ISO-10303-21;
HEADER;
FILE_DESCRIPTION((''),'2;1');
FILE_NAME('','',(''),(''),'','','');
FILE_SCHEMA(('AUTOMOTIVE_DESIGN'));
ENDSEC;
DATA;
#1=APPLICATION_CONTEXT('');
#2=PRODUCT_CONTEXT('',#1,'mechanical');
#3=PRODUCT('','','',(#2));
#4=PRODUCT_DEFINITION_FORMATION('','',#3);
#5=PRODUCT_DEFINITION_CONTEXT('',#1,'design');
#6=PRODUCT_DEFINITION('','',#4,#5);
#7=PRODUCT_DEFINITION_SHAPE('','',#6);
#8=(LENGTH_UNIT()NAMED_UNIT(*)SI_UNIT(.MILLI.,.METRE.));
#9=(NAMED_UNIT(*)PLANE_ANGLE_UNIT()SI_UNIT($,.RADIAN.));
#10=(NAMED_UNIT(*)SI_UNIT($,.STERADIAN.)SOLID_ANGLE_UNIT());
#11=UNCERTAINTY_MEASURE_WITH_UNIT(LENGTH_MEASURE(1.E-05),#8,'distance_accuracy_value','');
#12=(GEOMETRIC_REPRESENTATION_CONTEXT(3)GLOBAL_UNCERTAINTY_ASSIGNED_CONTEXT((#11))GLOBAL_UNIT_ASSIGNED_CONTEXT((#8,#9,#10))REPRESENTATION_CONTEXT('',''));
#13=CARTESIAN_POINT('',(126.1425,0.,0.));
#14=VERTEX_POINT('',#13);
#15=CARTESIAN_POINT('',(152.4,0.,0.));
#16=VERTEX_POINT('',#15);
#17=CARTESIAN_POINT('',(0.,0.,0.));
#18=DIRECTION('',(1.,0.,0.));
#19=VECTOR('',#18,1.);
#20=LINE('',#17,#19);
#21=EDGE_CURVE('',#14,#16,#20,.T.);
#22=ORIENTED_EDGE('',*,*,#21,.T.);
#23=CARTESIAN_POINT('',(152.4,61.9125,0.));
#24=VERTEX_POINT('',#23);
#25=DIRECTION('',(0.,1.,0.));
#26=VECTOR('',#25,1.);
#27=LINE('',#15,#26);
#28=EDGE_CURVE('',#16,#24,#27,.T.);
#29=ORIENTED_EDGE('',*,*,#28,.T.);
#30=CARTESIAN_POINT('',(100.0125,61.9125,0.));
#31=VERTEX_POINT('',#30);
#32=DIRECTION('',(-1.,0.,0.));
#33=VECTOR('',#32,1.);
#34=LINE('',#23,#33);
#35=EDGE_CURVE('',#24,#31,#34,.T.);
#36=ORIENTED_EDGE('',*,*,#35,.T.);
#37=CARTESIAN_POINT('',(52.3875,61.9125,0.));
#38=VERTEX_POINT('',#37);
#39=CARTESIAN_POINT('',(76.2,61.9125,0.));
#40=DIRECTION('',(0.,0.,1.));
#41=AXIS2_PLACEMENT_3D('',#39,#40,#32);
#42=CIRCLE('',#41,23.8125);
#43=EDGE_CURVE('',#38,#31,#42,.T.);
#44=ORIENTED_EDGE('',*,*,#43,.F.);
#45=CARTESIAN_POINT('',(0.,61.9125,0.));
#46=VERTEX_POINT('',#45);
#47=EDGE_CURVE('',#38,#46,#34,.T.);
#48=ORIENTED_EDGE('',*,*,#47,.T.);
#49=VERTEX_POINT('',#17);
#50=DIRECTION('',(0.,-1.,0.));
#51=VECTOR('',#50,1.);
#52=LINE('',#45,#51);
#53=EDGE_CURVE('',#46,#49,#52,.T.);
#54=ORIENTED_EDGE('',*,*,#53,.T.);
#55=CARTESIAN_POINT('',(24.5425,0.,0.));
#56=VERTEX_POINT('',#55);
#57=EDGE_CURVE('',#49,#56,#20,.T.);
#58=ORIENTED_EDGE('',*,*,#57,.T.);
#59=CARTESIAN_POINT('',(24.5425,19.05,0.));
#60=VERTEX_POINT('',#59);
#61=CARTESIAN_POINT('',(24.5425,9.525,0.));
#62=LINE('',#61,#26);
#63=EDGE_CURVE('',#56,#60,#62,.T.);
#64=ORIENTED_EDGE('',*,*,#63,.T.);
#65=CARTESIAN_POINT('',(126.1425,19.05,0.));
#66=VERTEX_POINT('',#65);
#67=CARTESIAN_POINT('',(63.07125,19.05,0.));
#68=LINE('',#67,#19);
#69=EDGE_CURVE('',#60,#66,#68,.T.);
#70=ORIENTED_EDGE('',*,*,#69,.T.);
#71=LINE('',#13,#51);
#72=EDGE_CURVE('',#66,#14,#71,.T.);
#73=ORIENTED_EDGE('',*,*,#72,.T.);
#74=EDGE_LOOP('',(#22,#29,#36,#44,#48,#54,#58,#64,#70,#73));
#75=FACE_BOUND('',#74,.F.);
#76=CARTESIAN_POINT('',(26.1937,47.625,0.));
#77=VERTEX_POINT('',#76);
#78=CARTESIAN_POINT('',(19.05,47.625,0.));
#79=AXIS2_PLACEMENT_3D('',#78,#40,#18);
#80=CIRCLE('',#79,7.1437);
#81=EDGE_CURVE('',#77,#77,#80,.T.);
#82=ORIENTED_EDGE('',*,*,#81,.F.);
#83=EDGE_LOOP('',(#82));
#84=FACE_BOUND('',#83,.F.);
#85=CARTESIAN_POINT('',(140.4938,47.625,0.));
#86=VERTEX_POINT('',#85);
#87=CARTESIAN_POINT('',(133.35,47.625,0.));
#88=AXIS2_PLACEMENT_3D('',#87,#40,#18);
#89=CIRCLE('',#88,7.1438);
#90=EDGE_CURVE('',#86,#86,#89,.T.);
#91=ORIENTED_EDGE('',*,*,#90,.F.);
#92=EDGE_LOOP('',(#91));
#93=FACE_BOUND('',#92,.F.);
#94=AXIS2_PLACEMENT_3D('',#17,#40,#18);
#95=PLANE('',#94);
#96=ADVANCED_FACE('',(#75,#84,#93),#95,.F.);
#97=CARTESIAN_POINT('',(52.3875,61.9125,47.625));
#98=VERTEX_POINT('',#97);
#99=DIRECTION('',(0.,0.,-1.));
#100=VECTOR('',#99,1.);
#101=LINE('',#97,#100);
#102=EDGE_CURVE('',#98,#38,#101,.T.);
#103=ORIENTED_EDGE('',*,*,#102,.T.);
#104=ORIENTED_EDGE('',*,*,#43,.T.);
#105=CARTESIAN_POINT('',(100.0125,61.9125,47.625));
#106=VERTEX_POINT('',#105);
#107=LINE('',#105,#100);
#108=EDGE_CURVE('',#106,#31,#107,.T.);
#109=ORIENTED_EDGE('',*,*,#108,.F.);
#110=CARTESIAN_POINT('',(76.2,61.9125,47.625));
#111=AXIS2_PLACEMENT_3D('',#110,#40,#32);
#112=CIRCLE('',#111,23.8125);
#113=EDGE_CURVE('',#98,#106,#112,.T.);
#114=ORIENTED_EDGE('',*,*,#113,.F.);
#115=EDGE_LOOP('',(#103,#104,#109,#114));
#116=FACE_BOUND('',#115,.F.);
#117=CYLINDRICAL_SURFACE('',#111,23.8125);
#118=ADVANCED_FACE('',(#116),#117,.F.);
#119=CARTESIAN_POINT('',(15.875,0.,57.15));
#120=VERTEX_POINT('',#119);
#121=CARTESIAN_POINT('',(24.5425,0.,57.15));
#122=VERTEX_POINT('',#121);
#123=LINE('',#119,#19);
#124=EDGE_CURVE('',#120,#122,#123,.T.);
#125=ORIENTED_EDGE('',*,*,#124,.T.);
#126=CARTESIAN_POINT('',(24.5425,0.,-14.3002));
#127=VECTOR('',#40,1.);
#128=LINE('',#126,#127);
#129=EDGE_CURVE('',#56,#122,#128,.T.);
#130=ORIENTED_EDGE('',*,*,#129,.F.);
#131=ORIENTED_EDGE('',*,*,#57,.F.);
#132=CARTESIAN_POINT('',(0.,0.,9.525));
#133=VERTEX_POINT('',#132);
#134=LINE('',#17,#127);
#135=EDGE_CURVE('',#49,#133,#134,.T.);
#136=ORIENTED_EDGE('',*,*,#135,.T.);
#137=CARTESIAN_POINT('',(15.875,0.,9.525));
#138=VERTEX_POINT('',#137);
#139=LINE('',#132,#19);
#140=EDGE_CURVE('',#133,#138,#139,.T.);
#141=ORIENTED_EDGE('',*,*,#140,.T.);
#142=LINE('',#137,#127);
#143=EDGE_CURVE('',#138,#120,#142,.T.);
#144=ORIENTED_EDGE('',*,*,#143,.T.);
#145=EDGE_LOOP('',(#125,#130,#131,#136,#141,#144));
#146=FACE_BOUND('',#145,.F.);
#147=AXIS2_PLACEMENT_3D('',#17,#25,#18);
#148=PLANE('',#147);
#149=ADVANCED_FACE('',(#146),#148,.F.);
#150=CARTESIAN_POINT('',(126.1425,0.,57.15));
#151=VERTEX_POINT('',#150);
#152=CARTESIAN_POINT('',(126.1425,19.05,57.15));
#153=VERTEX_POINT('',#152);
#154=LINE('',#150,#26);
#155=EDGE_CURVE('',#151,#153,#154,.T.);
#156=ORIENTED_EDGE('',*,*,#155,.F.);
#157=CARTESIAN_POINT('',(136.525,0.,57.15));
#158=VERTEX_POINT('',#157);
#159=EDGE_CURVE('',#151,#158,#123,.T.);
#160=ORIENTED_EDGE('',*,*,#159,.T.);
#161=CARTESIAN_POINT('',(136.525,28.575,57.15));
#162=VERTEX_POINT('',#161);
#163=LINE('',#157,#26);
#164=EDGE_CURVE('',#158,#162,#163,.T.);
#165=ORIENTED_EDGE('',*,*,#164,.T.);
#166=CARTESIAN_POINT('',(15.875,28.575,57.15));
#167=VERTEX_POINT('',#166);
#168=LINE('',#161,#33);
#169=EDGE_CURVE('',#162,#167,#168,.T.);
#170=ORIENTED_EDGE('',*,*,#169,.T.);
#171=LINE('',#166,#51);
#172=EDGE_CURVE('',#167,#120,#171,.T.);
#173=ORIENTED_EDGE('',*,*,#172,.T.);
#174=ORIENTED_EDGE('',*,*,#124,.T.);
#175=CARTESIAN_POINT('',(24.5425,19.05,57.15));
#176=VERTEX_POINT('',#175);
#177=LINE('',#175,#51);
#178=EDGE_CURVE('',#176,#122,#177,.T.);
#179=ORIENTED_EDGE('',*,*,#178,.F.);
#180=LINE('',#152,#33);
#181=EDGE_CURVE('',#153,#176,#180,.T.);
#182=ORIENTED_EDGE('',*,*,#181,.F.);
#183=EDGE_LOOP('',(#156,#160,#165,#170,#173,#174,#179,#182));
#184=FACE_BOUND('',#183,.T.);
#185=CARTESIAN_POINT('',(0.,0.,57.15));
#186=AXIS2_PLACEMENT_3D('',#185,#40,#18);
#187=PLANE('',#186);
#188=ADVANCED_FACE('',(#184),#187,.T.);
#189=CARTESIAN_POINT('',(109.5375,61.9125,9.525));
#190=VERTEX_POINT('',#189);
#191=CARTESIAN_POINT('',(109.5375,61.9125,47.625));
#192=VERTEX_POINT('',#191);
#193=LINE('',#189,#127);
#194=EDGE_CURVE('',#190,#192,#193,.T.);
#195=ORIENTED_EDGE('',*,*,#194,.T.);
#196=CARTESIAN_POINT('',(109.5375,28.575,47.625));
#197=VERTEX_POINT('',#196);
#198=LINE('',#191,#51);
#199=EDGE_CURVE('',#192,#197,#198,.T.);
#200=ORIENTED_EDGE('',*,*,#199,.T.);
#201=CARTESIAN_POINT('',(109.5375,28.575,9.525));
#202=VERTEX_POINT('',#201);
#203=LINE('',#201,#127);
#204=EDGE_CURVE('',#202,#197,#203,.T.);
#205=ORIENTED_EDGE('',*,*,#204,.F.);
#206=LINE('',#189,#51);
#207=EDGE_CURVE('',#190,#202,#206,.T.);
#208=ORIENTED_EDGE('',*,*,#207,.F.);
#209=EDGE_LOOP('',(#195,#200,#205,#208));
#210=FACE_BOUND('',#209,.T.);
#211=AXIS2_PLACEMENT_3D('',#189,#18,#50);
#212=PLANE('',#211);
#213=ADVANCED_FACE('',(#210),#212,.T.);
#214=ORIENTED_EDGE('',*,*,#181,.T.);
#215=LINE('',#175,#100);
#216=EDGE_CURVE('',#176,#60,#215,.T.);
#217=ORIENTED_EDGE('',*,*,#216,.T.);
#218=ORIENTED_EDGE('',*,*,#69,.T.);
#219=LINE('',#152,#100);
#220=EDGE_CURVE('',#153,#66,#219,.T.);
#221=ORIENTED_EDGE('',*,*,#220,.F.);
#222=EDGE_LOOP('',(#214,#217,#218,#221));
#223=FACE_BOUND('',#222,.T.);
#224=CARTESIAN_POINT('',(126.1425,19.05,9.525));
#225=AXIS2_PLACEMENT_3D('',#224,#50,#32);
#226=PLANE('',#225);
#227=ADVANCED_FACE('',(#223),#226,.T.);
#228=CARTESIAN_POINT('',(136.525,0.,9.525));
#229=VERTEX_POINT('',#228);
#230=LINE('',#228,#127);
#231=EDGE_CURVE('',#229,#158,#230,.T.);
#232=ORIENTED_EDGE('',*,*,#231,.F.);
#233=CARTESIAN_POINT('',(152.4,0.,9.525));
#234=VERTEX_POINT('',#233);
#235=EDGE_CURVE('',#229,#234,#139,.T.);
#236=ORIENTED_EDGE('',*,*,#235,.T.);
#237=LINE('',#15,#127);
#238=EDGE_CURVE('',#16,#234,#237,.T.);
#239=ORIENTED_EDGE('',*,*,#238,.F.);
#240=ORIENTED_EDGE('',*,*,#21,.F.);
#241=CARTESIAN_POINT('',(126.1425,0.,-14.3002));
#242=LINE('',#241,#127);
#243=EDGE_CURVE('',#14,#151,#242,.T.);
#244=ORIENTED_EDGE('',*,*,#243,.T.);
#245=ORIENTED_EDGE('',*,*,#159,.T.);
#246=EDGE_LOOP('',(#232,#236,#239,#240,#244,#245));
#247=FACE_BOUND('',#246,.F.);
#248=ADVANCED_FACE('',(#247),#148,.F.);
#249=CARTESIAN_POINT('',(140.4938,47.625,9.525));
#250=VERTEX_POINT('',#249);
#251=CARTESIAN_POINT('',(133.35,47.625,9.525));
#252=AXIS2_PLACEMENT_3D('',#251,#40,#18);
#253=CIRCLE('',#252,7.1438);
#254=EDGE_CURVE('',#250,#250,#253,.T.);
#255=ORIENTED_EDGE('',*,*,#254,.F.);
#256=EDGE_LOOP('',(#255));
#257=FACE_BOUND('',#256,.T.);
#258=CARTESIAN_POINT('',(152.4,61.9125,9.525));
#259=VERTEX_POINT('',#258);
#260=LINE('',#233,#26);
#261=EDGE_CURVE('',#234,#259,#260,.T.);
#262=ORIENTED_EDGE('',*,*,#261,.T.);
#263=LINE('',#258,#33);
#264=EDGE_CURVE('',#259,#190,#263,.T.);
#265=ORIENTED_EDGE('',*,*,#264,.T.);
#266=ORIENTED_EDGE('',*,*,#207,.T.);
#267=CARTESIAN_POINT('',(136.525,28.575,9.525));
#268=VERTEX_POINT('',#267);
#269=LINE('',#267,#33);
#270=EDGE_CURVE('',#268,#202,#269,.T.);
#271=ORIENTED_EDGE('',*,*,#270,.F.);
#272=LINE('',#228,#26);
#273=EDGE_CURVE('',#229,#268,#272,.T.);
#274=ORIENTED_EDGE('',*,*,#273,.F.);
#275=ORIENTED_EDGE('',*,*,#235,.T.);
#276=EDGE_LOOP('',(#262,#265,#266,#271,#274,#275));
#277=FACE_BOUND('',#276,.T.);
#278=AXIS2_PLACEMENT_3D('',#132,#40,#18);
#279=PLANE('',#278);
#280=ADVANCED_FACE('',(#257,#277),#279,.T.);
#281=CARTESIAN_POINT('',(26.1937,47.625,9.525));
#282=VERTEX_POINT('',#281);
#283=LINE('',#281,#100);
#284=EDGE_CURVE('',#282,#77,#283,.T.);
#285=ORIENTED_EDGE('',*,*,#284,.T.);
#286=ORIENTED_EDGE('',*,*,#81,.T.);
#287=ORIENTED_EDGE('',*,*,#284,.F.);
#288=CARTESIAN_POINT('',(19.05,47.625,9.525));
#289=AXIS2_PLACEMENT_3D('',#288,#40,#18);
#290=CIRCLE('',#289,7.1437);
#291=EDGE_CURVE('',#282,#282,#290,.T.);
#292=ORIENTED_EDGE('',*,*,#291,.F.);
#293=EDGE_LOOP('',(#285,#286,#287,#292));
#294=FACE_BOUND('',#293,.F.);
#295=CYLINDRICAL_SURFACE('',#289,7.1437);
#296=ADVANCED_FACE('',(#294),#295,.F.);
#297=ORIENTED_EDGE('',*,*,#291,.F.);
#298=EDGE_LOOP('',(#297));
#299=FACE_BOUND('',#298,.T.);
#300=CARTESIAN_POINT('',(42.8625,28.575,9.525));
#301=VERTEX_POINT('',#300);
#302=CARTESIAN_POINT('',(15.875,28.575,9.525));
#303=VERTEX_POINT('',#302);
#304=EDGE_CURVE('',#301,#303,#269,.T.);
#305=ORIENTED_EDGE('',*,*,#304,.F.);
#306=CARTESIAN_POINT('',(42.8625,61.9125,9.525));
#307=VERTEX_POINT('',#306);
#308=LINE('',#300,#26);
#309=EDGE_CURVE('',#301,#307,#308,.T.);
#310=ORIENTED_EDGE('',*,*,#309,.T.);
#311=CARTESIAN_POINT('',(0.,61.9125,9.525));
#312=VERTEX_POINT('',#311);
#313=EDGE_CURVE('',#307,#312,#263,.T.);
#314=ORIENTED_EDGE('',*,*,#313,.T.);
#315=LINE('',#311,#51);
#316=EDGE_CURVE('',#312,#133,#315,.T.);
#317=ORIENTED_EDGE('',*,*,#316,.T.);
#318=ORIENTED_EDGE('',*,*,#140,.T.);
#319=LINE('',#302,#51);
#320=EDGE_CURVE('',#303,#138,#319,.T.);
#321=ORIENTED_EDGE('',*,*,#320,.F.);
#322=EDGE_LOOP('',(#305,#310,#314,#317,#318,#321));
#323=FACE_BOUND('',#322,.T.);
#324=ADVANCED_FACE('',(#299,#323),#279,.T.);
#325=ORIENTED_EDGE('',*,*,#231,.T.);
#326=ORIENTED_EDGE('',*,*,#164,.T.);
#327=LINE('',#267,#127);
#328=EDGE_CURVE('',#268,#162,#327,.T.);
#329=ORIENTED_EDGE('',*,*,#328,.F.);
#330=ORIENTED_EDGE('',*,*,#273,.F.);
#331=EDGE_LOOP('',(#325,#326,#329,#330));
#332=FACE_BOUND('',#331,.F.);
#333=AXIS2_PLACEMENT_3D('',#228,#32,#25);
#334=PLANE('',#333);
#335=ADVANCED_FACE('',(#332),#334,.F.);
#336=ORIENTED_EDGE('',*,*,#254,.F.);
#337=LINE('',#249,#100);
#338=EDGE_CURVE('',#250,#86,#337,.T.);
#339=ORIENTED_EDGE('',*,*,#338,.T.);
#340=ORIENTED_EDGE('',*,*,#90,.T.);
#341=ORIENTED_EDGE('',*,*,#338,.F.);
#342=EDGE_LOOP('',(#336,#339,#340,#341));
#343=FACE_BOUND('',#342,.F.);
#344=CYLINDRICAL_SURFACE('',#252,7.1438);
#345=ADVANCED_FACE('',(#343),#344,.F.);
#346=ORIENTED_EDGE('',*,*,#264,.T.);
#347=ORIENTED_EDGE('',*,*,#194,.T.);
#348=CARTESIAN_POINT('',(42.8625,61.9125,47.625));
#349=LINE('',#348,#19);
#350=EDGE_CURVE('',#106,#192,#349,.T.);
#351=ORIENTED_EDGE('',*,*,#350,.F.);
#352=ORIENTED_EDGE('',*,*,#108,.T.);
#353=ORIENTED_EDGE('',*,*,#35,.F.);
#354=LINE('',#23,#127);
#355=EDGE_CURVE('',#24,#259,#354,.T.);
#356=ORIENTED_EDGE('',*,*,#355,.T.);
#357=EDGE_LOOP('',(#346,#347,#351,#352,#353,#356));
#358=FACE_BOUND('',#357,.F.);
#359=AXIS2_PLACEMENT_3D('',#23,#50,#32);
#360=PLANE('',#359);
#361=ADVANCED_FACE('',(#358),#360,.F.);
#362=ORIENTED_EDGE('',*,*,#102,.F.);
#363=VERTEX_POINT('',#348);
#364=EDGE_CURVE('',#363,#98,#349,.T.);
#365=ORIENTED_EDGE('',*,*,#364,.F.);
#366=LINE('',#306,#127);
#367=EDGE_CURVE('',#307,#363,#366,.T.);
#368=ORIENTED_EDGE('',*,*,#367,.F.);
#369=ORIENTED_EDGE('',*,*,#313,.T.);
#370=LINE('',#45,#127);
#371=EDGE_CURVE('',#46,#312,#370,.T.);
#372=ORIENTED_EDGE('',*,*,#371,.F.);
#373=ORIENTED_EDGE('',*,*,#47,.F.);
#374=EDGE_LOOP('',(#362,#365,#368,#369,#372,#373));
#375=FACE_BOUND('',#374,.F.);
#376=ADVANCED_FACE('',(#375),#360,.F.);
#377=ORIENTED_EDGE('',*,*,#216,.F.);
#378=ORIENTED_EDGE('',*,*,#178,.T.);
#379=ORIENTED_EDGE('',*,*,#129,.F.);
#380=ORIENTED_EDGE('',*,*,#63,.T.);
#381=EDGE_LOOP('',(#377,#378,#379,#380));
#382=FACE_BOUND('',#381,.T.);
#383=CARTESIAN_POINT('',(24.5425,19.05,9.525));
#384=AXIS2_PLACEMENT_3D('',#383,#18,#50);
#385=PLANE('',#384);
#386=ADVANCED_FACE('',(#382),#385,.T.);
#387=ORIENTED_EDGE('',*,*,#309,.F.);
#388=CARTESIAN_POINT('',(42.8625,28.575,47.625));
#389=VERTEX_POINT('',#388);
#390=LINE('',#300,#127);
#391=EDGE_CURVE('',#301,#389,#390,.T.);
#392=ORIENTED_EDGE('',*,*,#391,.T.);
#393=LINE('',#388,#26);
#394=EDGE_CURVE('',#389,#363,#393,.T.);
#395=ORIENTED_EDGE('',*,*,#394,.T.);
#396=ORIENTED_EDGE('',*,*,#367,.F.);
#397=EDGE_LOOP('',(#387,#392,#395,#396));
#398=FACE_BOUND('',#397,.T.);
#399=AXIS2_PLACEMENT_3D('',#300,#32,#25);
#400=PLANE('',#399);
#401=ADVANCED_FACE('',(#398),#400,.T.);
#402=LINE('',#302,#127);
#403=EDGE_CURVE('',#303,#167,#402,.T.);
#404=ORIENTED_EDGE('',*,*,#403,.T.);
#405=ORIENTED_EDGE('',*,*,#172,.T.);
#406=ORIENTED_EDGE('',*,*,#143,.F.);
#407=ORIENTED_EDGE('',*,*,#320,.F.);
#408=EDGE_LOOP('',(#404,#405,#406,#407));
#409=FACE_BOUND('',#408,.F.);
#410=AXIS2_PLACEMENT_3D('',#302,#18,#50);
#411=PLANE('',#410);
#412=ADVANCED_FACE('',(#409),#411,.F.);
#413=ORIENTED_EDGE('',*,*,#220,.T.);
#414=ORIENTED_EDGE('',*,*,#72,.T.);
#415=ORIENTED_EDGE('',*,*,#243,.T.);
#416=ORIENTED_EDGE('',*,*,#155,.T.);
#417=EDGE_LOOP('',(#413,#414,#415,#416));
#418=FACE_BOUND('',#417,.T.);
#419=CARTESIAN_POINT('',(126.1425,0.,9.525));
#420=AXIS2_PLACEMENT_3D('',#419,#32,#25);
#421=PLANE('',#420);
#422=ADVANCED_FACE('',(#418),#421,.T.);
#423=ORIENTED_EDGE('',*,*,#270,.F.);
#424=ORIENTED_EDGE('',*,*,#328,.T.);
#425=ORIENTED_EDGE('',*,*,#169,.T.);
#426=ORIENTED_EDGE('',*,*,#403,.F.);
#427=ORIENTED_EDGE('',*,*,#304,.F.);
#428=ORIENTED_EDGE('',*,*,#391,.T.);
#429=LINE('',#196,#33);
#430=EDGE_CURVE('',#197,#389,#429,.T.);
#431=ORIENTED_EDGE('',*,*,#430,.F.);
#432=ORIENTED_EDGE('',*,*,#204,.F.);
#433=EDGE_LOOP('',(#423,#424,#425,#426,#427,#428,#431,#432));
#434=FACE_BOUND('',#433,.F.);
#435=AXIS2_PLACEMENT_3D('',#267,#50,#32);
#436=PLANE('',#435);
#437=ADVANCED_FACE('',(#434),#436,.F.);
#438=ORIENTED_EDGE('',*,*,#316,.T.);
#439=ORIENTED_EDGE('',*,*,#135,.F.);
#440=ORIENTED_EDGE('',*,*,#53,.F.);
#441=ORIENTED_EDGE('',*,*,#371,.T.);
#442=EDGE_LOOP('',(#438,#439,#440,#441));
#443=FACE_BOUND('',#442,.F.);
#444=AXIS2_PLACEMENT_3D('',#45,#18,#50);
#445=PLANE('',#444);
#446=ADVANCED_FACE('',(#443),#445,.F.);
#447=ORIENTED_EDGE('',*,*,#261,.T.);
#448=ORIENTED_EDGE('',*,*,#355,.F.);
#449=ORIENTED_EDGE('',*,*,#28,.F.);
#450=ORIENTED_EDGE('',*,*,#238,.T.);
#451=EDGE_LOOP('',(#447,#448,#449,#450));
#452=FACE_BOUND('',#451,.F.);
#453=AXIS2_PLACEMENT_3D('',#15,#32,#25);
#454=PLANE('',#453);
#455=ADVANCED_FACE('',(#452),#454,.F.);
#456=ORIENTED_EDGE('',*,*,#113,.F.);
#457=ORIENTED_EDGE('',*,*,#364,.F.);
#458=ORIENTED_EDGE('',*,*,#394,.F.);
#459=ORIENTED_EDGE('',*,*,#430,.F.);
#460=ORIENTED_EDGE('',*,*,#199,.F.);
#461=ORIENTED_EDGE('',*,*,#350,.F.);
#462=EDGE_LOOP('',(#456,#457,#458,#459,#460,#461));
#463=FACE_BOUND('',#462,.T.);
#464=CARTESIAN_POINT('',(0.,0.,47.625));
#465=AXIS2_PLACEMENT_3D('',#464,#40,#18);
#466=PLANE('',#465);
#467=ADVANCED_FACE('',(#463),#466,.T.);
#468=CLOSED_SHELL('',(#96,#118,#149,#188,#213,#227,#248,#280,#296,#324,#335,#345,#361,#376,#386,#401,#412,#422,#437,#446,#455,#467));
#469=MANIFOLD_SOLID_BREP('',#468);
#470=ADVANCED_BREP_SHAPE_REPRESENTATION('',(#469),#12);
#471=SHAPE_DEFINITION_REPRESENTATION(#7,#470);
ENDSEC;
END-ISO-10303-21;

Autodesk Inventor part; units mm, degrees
ref_plane "YZ Plane" through (0, 0, 0) normal (1, 0, 0) x (0, 1, 0)
ref_plane "XZ Plane" through (0, 0, 0) normal (0, 1, 0) x (-1, 0, 0)
ref_plane "XY Plane" through (0, 0, 0) normal (0, 0, 1) x (1, 0, 0)
sketch "Boceto1" plane through (0, 0, 0) normal (0, 0, 1) x (1, 0, 0)
  line L0 (0, 0) -> (152.4, 0)
  line L1 (152.4, 0) -> (152.4, 61.9125)
  line L2 (152.4, 61.9125) -> (0, 61.9125)
  line L3 (0, 61.9125) -> (0, 0)
  dimension "d0" = 152.4
  dimension "d1" = 61.9125
extrude "Bloque_Posterior" add sketch "Boceto1" along normal blind 9.525
sketch "Boceto2" plane through (0, 0, 9.525) normal (0, 0, 1) x (1, 0, 0)
  line L0 (15.875, 0) -> (136.525, 0)
  line L1 (136.525, 0) -> (136.525, 28.575)
  line L2 (136.525, 28.575) -> (15.875, 28.575)
  line L3 (15.875, 28.575) -> (15.875, 0)
  line L4 (0, 0) -> (152.4, 0) projected
  line L5 (76.2, 0) -> (76.2, 70.6909) construction
  dimension "d4" = 120.65
  dimension "d5" = 28.575
  dimension "d6" = 60.325
extrude "Bloque_Inferior" add sketch "Boceto2" along normal blind 47.625
sketch "Boceto3" plane through (0, 0, 9.525) normal (0, 0, 1) x (1, 0, 0)
  line L0 (0, 0) -> (152.4, 0) projected
  line L1 (76.2, 0) -> (76.2, 86.7708) construction
  line L2 (42.8625, 61.9125) -> (109.5375, 61.9125)
  line L3 (109.5375, 61.9125) -> (109.5375, 28.575)
  line L4 (109.5375, 28.575) -> (42.8625, 28.575)
  line L5 (42.8625, 28.575) -> (42.8625, 61.9125)
  line L6 (152.4, 61.9125) -> (0, 61.9125) projected
  dimension "d9" = 66.675
  dimension "d10" = 33.3375
  dimension "d11" = 33.3375
extrude "Bloque_Superior" add sketch "Boceto3" along normal blind 38.1
sketch "Boceto4" plane through (0, 0, 9.525) normal (0, 0, 1) x (1, 0, 0)
  line L0 (0, 0) -> (152.4, 0) projected
  line L1 (24.5425, 0) -> (126.1425, 0)
  line L2 (126.1425, 0) -> (126.1425, 19.05)
  line L3 (126.1425, 19.05) -> (24.5425, 19.05)
  line L4 (24.5425, 19.05) -> (24.5425, 0)
  dimension "d14" = 101.6
  dimension "d15" = 19.05
extrude "Orificio_Inferior" cut sketch "Boceto4" along normal blind 47.625 and the other way blind 23.8252
sketch "Boceto5" plane through (0, 0, 47.625) normal (0, 0, 1) x (1, 0, 0)
  line L0 (109.5375, 61.9125) -> (42.8625, 61.9125) projected
  arc A0 (52.3875, 61.9125) -> (100.0125, 61.9125) centre (76.2, 61.9125) ccw
  point P0 (0, 0)
  dimension "d20" = 47.625
extrude "Agujero_Central" cut sketch "Boceto5" against normal blind 47.625
sketch "Boceto6" plane through (0, 0, 9.525) normal (0, 0, 1) x (1, 0, 0)
  line L0 (-22.923, 47.625) -> (163.4069, 47.625) construction
  line L1 (19.05, -6.8102) -> (19.05, 78.4252) construction
  line L2 (42.8625, 61.9125) -> (0, 61.9125) projected
  line L3 (0, 61.9125) -> (0, 0) projected
  circle A0 centre (19.05, 47.625) radius 7.1437
  dimension "d23" = 14.2875
  dimension "d24" = 19.05
  dimension "d25" = 14.2875
extrude "Agujero_Izquierdo" cut sketch "Boceto6" against normal blind 9.525
sketch "Boceto7" plane through (0, 0, 9.525) normal (0, 0, 1) x (1, 0, 0)
  line L0 (133.35, 81.3516) -> (133.35, -20.5289) construction
  line L1 (173.8284, 47.625) -> (-5.5853, 47.625) construction
  line L2 (152.4, 0) -> (152.4, 61.9125) projected
  line L3 (152.4, 61.9125) -> (109.5375, 61.9125) projected
  circle A0 centre (133.35, 47.625) radius 7.1438
  point P0 (0, 0)
  dimension "d28" = 19.05
  dimension "d29" = 14.2875
  dimension "d30" = 14.2875
extrude "Agujero_Derecho" cut sketch "Boceto7" against normal blind 9.525
